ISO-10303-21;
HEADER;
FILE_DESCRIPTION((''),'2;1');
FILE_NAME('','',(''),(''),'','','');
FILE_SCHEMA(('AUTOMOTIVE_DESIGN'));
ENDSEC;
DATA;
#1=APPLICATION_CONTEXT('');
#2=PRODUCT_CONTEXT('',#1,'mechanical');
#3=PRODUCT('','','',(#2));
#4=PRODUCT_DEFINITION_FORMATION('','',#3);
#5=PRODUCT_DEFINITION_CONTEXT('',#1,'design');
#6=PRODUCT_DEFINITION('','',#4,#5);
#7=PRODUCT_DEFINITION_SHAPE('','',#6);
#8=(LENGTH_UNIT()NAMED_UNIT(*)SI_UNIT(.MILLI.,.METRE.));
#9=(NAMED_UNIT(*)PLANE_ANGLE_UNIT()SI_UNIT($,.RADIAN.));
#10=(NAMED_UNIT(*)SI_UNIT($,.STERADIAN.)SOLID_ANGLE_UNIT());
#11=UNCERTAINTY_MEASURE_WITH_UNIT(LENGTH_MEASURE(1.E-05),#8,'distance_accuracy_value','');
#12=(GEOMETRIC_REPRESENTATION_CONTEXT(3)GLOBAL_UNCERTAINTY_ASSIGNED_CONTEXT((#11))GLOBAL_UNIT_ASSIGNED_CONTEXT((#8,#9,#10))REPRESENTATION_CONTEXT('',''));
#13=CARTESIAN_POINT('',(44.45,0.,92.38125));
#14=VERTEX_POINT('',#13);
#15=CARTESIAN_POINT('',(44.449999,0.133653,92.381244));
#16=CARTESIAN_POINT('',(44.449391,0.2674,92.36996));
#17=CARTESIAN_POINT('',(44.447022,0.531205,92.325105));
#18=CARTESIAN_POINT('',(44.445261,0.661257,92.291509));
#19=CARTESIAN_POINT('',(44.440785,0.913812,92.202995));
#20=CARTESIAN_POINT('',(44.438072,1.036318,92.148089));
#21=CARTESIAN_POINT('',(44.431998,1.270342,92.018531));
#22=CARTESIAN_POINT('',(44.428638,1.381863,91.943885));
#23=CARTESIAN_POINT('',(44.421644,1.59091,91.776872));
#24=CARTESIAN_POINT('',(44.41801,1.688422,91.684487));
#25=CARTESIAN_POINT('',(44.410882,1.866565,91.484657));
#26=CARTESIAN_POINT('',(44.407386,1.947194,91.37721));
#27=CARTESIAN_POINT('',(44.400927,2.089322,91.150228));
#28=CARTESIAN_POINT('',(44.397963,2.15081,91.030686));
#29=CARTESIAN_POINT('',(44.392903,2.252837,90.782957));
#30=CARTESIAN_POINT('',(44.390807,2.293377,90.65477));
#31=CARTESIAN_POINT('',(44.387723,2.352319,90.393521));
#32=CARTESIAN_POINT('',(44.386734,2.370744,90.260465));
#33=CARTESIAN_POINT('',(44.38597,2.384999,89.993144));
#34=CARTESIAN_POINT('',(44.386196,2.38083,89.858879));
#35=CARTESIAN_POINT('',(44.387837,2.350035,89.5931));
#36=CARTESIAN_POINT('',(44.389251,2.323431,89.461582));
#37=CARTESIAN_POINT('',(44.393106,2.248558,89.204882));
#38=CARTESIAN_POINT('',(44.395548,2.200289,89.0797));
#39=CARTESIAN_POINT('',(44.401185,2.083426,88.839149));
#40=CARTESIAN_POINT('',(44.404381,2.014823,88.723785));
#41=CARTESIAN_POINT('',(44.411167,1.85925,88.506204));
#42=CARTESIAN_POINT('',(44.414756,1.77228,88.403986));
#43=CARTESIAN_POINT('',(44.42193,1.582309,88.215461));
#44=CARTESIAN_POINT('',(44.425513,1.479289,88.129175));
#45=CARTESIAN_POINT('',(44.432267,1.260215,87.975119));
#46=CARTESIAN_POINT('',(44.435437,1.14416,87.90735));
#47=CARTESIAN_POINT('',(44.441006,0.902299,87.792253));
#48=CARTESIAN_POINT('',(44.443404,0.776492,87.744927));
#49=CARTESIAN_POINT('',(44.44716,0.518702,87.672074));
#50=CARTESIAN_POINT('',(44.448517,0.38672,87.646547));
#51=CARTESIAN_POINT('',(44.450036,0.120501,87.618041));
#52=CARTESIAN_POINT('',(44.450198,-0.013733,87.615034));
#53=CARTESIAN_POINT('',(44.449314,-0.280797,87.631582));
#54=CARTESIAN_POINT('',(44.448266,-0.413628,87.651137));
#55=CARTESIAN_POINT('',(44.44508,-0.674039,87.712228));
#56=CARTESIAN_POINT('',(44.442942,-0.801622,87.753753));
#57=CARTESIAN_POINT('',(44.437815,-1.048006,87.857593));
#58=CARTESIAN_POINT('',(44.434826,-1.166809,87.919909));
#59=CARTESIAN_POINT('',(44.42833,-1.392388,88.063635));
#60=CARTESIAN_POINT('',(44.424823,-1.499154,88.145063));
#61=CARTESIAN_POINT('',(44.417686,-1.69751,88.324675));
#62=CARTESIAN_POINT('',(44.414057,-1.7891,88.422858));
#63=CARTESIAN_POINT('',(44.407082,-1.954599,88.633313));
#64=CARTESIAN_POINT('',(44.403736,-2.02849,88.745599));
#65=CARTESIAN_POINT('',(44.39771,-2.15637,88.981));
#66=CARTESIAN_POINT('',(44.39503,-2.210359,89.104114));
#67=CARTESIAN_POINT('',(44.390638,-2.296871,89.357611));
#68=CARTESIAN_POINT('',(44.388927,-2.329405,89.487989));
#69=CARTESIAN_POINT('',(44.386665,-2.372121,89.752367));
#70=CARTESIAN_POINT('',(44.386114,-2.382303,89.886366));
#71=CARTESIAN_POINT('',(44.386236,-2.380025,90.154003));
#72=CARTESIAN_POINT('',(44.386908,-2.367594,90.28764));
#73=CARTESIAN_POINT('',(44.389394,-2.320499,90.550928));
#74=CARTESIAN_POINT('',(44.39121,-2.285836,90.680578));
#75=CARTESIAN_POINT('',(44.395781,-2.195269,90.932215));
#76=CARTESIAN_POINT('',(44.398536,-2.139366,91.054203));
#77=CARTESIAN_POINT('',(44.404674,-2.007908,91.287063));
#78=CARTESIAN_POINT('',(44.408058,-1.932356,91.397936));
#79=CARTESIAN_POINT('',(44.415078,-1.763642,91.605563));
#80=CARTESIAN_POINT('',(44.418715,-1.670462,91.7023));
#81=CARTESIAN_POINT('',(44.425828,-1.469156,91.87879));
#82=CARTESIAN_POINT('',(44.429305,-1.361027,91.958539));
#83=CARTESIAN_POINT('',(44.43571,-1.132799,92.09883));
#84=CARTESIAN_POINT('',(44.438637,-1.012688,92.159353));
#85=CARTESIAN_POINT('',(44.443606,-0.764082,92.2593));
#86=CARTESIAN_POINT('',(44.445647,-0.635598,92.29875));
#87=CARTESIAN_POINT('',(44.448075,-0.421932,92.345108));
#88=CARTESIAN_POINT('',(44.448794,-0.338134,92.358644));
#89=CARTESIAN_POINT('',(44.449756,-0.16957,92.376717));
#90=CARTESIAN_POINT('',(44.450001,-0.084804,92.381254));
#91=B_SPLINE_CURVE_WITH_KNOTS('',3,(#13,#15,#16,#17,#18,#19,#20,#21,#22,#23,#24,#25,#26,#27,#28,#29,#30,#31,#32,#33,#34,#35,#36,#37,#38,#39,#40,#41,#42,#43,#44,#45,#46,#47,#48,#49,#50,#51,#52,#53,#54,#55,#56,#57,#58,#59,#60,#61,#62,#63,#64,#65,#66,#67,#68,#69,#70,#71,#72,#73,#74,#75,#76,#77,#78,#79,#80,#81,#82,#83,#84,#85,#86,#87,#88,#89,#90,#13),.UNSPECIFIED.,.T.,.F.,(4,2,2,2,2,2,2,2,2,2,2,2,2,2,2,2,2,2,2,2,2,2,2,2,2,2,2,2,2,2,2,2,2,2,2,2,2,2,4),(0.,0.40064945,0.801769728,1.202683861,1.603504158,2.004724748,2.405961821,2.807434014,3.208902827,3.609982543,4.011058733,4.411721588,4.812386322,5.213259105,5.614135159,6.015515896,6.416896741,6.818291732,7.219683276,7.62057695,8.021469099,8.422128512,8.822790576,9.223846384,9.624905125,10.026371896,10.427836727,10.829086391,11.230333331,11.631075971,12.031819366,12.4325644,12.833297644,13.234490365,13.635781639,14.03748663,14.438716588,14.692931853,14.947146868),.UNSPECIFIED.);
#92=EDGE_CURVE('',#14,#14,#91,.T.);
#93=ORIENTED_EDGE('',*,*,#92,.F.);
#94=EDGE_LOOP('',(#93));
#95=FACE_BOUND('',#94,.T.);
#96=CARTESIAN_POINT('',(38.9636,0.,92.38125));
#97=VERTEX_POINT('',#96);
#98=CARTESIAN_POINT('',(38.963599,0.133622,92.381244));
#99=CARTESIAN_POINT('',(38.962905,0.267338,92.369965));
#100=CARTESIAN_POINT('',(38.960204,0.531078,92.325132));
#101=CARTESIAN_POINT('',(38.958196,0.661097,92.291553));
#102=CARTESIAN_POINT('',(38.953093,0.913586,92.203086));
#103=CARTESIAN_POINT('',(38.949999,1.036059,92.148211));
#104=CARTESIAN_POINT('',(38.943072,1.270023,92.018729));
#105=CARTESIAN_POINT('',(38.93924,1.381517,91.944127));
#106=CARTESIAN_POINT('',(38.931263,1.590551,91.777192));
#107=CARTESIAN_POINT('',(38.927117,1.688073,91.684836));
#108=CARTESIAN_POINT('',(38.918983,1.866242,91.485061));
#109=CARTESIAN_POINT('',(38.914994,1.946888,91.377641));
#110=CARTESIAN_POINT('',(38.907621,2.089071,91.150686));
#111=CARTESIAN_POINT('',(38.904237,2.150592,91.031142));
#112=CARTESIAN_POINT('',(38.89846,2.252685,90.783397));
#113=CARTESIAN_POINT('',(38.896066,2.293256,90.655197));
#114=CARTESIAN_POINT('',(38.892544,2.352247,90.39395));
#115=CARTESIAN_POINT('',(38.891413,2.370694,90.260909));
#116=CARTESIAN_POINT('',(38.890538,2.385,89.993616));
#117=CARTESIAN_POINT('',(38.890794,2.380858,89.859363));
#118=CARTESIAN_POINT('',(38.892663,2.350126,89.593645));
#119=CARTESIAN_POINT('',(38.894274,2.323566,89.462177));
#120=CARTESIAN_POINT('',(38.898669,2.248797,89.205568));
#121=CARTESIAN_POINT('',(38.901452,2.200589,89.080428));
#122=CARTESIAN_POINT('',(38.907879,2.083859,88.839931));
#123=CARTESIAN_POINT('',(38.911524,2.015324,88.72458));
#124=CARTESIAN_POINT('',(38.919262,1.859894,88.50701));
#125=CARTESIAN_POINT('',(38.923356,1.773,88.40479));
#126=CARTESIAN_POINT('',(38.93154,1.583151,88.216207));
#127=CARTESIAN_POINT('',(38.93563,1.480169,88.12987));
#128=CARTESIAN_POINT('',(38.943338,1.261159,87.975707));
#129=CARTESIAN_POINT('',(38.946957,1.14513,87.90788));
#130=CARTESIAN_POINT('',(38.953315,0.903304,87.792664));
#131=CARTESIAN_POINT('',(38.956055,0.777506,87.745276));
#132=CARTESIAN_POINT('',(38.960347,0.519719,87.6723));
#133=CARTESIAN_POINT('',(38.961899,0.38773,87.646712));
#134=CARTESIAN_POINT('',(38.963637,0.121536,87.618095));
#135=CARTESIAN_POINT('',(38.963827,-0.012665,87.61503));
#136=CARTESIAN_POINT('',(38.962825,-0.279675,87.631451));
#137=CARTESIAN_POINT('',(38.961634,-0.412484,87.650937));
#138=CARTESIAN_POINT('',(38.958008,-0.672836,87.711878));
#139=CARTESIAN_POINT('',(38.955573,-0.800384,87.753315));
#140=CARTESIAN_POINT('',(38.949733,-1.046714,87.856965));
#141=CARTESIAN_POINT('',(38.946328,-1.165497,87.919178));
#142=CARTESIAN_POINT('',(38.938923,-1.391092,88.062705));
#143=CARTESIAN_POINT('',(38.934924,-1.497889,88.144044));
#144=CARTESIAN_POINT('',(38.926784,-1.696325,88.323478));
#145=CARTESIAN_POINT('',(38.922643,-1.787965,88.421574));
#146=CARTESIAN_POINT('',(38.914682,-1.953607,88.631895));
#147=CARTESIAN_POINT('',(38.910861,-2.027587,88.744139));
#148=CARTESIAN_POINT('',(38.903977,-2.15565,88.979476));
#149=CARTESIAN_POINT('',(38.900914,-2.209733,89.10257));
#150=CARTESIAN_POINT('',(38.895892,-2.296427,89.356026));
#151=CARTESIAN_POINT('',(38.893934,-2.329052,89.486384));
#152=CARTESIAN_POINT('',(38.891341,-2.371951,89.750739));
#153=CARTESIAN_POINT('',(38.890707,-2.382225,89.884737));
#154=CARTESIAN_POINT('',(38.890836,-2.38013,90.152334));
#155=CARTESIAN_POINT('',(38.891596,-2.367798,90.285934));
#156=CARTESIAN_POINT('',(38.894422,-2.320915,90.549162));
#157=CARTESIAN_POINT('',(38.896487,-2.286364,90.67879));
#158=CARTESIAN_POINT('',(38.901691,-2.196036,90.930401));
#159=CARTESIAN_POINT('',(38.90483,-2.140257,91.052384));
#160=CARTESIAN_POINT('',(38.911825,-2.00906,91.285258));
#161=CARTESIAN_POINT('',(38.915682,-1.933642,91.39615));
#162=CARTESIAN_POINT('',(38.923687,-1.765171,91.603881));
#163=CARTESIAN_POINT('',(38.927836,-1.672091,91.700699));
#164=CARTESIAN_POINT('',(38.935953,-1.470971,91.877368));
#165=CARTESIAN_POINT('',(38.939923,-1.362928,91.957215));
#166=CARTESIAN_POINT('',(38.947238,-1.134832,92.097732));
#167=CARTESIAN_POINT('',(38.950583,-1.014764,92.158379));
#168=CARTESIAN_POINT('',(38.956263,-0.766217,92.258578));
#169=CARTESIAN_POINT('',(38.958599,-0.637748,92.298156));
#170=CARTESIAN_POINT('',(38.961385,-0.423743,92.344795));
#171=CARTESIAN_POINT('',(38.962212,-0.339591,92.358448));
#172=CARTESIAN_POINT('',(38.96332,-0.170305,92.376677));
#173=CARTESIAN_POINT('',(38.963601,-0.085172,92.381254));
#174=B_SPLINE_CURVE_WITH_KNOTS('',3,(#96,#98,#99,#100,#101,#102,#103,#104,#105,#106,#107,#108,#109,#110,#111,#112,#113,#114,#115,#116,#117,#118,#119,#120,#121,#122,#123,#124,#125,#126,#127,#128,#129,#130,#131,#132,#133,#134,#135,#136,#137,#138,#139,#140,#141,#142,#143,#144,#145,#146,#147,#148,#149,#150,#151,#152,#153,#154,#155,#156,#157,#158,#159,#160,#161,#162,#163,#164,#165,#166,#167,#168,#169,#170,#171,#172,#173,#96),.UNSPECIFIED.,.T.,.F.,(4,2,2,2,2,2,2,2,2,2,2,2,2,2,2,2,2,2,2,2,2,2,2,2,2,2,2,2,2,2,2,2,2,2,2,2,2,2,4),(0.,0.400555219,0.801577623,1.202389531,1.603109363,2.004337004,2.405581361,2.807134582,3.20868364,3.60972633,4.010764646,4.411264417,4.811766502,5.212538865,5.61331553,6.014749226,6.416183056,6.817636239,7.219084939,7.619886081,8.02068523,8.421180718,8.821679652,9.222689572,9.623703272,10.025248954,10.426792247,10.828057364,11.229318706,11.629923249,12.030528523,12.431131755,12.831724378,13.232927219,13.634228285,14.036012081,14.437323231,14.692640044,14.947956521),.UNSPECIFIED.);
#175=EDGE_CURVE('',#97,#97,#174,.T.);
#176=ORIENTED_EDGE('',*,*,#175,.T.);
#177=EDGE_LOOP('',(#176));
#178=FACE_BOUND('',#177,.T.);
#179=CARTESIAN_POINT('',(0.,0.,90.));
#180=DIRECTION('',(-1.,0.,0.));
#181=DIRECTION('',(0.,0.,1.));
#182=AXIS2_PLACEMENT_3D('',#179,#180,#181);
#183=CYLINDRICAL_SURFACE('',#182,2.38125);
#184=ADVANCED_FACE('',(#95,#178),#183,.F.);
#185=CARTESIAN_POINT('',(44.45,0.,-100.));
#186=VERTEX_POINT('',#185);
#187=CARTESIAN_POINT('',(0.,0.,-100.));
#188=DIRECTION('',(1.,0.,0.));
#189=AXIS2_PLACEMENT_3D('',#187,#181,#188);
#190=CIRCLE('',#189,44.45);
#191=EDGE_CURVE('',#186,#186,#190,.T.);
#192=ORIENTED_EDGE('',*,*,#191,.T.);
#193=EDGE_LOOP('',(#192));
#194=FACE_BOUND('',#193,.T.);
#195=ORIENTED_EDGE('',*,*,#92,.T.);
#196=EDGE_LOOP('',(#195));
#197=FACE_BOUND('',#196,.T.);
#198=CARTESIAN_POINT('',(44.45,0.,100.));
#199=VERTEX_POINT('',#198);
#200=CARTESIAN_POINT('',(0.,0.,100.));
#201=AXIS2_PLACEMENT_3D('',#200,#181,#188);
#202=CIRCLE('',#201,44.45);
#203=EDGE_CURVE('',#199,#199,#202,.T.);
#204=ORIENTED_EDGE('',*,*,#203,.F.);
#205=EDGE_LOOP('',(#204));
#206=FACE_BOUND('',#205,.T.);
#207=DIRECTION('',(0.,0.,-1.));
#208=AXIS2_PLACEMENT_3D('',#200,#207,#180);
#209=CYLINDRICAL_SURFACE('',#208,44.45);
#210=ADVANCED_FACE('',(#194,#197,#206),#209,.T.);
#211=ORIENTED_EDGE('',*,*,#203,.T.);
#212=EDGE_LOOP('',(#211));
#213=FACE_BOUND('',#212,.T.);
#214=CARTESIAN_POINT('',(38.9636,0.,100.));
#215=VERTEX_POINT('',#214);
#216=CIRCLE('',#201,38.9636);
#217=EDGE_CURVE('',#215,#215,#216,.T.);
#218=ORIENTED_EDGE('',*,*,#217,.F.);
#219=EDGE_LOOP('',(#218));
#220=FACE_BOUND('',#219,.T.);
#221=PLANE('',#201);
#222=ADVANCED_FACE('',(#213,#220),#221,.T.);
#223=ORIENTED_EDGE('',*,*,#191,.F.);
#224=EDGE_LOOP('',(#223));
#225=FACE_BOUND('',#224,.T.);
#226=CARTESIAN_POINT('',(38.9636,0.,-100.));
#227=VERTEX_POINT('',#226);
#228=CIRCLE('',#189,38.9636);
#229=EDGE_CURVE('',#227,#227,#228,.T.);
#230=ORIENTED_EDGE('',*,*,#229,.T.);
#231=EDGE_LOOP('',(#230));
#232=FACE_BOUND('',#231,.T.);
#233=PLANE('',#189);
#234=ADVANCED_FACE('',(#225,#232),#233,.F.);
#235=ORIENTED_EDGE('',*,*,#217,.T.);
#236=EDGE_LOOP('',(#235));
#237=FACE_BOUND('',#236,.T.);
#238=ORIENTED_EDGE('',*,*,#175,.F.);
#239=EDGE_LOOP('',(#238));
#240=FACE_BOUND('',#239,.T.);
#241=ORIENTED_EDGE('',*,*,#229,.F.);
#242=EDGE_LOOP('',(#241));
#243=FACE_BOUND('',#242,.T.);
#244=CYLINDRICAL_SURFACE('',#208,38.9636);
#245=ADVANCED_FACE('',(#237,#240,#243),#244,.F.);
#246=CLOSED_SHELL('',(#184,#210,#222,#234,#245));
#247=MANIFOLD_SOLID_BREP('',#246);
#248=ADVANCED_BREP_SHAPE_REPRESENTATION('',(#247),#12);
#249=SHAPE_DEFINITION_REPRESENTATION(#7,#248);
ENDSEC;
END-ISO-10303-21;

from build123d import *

# Parameters (mm, degrees)
SKETCH1_R           = 44.45
SKETCH1_R_2         = 38.9636
EXTRUDE_THIN1_DEPTH = 100
SKETCH2_W           = 2.38125
SKETCH2_H           = 44.45


with BuildPart() as part:
    # Sketch1 → Extrude-Thin1 (new body, symmetric)
    with BuildSketch(Plane.XY):
        Circle(SKETCH1_R)
        Circle(SKETCH1_R_2, mode=Mode.SUBTRACT)
    extrude(amount=EXTRUDE_THIN1_DEPTH, both=True)

    # Sketch2 → 3/16 (0.1875) Diameter Hole1 (revolve, cut)
    with BuildSketch(Plane(origin=(0, 0, 90), x_dir=(0, 0, 1), z_dir=(0, 1, 0))):
        with Locations((1.190625, 22.225)):
            Rectangle(SKETCH2_W, SKETCH2_H)
    revolve(axis=Axis((-6.35, 0, 90), (1, 0, 0)), mode=Mode.SUBTRACT)


solid = part.part
